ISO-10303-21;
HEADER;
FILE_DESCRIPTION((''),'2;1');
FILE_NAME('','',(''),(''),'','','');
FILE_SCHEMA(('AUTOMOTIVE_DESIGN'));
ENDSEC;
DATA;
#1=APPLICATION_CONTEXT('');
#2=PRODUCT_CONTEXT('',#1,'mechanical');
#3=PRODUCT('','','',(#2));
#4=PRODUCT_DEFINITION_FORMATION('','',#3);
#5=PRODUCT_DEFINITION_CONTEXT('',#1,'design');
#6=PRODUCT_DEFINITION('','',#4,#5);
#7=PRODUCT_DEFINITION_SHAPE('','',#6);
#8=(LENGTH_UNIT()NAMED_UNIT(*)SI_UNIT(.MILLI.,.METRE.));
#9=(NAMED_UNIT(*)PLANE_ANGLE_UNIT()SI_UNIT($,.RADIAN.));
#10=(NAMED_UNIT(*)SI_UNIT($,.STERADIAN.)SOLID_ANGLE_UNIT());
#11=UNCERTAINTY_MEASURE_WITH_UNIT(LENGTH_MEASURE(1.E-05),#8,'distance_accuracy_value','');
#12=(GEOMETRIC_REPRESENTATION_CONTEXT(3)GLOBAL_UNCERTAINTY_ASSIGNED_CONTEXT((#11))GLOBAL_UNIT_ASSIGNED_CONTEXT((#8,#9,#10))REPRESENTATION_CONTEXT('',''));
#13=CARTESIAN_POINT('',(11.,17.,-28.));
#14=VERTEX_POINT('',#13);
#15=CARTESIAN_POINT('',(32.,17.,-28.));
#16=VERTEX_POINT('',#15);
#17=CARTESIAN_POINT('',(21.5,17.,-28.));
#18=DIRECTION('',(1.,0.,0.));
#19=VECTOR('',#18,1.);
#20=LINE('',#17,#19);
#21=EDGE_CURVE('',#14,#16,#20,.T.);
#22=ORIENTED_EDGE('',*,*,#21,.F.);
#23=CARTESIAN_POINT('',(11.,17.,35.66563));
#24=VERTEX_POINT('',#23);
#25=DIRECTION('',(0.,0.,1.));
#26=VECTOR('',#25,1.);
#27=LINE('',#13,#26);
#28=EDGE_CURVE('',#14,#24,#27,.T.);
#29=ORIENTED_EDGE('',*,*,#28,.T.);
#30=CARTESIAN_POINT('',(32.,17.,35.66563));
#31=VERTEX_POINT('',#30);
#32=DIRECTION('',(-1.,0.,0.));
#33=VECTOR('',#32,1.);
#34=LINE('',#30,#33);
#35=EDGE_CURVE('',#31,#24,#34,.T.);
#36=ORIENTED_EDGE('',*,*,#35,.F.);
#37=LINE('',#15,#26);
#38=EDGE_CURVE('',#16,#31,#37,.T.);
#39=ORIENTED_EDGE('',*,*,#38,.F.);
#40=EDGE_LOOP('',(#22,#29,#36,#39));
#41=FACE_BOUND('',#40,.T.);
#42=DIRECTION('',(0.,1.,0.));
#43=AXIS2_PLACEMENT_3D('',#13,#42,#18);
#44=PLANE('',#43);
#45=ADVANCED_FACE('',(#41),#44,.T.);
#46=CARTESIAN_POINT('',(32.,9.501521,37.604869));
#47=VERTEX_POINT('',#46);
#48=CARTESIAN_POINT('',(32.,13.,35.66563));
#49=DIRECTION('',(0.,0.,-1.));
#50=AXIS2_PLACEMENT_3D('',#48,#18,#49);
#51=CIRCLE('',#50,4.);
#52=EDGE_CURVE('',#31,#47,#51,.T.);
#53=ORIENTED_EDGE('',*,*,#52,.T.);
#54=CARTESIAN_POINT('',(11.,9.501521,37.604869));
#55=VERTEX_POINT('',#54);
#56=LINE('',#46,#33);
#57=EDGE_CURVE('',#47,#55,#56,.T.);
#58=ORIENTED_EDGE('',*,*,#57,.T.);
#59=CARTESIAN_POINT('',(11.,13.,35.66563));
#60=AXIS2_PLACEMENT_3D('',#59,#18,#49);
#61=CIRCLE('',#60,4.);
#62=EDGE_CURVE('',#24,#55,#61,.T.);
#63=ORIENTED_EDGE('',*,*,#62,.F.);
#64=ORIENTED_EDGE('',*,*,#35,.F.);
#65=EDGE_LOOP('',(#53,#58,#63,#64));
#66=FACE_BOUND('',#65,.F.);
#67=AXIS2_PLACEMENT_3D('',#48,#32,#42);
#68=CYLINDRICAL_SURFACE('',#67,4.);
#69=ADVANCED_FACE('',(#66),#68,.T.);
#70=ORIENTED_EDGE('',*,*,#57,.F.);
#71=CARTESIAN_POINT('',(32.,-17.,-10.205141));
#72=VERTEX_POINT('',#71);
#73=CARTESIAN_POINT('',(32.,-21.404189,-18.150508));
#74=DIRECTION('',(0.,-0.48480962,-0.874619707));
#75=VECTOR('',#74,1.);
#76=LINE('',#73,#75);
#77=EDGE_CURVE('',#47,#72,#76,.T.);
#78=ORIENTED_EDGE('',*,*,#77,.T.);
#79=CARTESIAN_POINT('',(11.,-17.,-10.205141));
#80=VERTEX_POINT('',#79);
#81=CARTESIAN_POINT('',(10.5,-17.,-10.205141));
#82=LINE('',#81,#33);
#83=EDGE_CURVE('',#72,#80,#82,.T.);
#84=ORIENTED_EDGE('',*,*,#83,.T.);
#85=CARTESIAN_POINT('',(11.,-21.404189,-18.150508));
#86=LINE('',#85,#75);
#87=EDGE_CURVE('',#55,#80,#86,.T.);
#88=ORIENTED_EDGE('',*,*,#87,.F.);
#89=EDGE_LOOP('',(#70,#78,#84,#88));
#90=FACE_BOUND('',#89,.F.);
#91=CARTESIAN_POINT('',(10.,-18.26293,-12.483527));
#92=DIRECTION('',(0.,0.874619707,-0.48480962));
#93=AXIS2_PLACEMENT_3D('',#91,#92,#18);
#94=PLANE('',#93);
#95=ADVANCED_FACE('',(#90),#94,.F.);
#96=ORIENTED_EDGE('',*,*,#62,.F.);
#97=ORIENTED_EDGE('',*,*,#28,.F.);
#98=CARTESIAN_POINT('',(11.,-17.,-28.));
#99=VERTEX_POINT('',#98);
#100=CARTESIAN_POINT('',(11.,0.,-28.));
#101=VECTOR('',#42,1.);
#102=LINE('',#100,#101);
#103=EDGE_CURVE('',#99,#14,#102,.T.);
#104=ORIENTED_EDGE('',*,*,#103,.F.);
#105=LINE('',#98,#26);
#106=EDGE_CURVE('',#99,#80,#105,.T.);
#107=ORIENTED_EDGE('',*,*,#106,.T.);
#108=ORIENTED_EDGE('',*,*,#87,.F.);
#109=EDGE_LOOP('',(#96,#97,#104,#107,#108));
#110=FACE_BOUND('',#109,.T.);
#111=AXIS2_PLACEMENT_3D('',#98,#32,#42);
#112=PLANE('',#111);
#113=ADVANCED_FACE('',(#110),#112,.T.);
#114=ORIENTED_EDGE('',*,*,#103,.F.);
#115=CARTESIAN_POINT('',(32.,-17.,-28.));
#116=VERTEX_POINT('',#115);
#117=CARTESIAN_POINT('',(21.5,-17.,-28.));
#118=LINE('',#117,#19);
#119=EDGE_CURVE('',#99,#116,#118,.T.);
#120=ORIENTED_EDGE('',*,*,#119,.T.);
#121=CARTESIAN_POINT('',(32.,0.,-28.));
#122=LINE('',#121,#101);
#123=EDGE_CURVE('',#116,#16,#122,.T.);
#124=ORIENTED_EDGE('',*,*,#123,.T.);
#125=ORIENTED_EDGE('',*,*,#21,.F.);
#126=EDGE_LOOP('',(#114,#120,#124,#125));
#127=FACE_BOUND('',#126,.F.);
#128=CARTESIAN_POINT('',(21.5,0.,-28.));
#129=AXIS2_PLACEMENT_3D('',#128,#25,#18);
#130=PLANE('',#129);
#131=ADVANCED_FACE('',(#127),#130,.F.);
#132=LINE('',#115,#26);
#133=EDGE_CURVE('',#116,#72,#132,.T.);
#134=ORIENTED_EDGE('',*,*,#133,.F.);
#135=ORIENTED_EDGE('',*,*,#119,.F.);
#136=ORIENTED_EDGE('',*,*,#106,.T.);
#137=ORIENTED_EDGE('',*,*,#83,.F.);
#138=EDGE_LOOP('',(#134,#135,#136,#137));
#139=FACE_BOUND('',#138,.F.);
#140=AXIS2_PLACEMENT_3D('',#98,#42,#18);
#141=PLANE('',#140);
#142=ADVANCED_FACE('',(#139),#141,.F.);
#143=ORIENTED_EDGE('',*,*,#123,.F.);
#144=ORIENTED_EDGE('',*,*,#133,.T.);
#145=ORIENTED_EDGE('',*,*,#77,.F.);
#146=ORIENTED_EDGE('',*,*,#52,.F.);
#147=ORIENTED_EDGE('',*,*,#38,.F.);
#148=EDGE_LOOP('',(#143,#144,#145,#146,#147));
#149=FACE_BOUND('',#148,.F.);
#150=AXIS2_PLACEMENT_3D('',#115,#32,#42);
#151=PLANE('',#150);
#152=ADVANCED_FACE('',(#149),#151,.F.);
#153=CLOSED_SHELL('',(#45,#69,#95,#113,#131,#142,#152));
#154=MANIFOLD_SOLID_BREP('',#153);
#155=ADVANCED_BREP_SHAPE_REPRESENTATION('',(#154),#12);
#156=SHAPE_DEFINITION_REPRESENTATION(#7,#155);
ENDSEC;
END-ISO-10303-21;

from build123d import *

# Parameters (mm, degrees)
BOX112015002006_W          = 23
BOX112015002006_H          = 34
BOX112015002006_DEPTH      = 80
BOX112015002006_ROLL_ANGLE = -29
BOX112015002005_W          = 21
BOX112015002005_H          = 34
BOX112015002005_DEPTH      = 80
FILLET002_R                = 4


with BuildPart() as cube076:
    # Box112015002006 → Box112015002006 (new body)
    with BuildSketch(Plane.XY):
        with Locations((11.5, 17)):
            Rectangle(BOX112015002006_W, BOX112015002006_H)
    extrude(amount=BOX112015002006_DEPTH)


with BuildPart() as cube076_1:
    # Box112015002006 roll: moved
    add(cube076.part.rotate(Axis((0, 0, 0), (1, 0, 0)), BOX112015002006_ROLL_ANGLE))


with BuildPart() as cube076_2:
    # Box112015002006 placement: moved
    add(cube076_1.part.moved(Location((10, -48, -6))))


with BuildPart() as fillet002:
    # Box112015002005 → Box112015002005 (new body)
    with BuildSketch(Plane(origin=(11, -17, -38), x_dir=(1, 0, 0), z_dir=(0, 0, 1))):
        with Locations((10.5, 17)):
            Rectangle(BOX112015002005_W, BOX112015002005_H)
    extrude(amount=BOX112015002005_DEPTH)

    # Cut131: cut Cube076
    add(cube076_2.part, mode=Mode.SUBTRACT)

    # Fillet002
    fillet002_edges = [fillet002.edges().sort_by_distance(p)[0] for p in [
        (21.5, 17, 41.132483),
    ]]
    fillet(fillet002_edges, radius=FILLET002_R)


with BuildPart() as fillet002_1:
    # Fillet002 placement: moved
    add(fillet002.part.moved(Location((0, 0, 10))))


solid = fillet002_1.part
